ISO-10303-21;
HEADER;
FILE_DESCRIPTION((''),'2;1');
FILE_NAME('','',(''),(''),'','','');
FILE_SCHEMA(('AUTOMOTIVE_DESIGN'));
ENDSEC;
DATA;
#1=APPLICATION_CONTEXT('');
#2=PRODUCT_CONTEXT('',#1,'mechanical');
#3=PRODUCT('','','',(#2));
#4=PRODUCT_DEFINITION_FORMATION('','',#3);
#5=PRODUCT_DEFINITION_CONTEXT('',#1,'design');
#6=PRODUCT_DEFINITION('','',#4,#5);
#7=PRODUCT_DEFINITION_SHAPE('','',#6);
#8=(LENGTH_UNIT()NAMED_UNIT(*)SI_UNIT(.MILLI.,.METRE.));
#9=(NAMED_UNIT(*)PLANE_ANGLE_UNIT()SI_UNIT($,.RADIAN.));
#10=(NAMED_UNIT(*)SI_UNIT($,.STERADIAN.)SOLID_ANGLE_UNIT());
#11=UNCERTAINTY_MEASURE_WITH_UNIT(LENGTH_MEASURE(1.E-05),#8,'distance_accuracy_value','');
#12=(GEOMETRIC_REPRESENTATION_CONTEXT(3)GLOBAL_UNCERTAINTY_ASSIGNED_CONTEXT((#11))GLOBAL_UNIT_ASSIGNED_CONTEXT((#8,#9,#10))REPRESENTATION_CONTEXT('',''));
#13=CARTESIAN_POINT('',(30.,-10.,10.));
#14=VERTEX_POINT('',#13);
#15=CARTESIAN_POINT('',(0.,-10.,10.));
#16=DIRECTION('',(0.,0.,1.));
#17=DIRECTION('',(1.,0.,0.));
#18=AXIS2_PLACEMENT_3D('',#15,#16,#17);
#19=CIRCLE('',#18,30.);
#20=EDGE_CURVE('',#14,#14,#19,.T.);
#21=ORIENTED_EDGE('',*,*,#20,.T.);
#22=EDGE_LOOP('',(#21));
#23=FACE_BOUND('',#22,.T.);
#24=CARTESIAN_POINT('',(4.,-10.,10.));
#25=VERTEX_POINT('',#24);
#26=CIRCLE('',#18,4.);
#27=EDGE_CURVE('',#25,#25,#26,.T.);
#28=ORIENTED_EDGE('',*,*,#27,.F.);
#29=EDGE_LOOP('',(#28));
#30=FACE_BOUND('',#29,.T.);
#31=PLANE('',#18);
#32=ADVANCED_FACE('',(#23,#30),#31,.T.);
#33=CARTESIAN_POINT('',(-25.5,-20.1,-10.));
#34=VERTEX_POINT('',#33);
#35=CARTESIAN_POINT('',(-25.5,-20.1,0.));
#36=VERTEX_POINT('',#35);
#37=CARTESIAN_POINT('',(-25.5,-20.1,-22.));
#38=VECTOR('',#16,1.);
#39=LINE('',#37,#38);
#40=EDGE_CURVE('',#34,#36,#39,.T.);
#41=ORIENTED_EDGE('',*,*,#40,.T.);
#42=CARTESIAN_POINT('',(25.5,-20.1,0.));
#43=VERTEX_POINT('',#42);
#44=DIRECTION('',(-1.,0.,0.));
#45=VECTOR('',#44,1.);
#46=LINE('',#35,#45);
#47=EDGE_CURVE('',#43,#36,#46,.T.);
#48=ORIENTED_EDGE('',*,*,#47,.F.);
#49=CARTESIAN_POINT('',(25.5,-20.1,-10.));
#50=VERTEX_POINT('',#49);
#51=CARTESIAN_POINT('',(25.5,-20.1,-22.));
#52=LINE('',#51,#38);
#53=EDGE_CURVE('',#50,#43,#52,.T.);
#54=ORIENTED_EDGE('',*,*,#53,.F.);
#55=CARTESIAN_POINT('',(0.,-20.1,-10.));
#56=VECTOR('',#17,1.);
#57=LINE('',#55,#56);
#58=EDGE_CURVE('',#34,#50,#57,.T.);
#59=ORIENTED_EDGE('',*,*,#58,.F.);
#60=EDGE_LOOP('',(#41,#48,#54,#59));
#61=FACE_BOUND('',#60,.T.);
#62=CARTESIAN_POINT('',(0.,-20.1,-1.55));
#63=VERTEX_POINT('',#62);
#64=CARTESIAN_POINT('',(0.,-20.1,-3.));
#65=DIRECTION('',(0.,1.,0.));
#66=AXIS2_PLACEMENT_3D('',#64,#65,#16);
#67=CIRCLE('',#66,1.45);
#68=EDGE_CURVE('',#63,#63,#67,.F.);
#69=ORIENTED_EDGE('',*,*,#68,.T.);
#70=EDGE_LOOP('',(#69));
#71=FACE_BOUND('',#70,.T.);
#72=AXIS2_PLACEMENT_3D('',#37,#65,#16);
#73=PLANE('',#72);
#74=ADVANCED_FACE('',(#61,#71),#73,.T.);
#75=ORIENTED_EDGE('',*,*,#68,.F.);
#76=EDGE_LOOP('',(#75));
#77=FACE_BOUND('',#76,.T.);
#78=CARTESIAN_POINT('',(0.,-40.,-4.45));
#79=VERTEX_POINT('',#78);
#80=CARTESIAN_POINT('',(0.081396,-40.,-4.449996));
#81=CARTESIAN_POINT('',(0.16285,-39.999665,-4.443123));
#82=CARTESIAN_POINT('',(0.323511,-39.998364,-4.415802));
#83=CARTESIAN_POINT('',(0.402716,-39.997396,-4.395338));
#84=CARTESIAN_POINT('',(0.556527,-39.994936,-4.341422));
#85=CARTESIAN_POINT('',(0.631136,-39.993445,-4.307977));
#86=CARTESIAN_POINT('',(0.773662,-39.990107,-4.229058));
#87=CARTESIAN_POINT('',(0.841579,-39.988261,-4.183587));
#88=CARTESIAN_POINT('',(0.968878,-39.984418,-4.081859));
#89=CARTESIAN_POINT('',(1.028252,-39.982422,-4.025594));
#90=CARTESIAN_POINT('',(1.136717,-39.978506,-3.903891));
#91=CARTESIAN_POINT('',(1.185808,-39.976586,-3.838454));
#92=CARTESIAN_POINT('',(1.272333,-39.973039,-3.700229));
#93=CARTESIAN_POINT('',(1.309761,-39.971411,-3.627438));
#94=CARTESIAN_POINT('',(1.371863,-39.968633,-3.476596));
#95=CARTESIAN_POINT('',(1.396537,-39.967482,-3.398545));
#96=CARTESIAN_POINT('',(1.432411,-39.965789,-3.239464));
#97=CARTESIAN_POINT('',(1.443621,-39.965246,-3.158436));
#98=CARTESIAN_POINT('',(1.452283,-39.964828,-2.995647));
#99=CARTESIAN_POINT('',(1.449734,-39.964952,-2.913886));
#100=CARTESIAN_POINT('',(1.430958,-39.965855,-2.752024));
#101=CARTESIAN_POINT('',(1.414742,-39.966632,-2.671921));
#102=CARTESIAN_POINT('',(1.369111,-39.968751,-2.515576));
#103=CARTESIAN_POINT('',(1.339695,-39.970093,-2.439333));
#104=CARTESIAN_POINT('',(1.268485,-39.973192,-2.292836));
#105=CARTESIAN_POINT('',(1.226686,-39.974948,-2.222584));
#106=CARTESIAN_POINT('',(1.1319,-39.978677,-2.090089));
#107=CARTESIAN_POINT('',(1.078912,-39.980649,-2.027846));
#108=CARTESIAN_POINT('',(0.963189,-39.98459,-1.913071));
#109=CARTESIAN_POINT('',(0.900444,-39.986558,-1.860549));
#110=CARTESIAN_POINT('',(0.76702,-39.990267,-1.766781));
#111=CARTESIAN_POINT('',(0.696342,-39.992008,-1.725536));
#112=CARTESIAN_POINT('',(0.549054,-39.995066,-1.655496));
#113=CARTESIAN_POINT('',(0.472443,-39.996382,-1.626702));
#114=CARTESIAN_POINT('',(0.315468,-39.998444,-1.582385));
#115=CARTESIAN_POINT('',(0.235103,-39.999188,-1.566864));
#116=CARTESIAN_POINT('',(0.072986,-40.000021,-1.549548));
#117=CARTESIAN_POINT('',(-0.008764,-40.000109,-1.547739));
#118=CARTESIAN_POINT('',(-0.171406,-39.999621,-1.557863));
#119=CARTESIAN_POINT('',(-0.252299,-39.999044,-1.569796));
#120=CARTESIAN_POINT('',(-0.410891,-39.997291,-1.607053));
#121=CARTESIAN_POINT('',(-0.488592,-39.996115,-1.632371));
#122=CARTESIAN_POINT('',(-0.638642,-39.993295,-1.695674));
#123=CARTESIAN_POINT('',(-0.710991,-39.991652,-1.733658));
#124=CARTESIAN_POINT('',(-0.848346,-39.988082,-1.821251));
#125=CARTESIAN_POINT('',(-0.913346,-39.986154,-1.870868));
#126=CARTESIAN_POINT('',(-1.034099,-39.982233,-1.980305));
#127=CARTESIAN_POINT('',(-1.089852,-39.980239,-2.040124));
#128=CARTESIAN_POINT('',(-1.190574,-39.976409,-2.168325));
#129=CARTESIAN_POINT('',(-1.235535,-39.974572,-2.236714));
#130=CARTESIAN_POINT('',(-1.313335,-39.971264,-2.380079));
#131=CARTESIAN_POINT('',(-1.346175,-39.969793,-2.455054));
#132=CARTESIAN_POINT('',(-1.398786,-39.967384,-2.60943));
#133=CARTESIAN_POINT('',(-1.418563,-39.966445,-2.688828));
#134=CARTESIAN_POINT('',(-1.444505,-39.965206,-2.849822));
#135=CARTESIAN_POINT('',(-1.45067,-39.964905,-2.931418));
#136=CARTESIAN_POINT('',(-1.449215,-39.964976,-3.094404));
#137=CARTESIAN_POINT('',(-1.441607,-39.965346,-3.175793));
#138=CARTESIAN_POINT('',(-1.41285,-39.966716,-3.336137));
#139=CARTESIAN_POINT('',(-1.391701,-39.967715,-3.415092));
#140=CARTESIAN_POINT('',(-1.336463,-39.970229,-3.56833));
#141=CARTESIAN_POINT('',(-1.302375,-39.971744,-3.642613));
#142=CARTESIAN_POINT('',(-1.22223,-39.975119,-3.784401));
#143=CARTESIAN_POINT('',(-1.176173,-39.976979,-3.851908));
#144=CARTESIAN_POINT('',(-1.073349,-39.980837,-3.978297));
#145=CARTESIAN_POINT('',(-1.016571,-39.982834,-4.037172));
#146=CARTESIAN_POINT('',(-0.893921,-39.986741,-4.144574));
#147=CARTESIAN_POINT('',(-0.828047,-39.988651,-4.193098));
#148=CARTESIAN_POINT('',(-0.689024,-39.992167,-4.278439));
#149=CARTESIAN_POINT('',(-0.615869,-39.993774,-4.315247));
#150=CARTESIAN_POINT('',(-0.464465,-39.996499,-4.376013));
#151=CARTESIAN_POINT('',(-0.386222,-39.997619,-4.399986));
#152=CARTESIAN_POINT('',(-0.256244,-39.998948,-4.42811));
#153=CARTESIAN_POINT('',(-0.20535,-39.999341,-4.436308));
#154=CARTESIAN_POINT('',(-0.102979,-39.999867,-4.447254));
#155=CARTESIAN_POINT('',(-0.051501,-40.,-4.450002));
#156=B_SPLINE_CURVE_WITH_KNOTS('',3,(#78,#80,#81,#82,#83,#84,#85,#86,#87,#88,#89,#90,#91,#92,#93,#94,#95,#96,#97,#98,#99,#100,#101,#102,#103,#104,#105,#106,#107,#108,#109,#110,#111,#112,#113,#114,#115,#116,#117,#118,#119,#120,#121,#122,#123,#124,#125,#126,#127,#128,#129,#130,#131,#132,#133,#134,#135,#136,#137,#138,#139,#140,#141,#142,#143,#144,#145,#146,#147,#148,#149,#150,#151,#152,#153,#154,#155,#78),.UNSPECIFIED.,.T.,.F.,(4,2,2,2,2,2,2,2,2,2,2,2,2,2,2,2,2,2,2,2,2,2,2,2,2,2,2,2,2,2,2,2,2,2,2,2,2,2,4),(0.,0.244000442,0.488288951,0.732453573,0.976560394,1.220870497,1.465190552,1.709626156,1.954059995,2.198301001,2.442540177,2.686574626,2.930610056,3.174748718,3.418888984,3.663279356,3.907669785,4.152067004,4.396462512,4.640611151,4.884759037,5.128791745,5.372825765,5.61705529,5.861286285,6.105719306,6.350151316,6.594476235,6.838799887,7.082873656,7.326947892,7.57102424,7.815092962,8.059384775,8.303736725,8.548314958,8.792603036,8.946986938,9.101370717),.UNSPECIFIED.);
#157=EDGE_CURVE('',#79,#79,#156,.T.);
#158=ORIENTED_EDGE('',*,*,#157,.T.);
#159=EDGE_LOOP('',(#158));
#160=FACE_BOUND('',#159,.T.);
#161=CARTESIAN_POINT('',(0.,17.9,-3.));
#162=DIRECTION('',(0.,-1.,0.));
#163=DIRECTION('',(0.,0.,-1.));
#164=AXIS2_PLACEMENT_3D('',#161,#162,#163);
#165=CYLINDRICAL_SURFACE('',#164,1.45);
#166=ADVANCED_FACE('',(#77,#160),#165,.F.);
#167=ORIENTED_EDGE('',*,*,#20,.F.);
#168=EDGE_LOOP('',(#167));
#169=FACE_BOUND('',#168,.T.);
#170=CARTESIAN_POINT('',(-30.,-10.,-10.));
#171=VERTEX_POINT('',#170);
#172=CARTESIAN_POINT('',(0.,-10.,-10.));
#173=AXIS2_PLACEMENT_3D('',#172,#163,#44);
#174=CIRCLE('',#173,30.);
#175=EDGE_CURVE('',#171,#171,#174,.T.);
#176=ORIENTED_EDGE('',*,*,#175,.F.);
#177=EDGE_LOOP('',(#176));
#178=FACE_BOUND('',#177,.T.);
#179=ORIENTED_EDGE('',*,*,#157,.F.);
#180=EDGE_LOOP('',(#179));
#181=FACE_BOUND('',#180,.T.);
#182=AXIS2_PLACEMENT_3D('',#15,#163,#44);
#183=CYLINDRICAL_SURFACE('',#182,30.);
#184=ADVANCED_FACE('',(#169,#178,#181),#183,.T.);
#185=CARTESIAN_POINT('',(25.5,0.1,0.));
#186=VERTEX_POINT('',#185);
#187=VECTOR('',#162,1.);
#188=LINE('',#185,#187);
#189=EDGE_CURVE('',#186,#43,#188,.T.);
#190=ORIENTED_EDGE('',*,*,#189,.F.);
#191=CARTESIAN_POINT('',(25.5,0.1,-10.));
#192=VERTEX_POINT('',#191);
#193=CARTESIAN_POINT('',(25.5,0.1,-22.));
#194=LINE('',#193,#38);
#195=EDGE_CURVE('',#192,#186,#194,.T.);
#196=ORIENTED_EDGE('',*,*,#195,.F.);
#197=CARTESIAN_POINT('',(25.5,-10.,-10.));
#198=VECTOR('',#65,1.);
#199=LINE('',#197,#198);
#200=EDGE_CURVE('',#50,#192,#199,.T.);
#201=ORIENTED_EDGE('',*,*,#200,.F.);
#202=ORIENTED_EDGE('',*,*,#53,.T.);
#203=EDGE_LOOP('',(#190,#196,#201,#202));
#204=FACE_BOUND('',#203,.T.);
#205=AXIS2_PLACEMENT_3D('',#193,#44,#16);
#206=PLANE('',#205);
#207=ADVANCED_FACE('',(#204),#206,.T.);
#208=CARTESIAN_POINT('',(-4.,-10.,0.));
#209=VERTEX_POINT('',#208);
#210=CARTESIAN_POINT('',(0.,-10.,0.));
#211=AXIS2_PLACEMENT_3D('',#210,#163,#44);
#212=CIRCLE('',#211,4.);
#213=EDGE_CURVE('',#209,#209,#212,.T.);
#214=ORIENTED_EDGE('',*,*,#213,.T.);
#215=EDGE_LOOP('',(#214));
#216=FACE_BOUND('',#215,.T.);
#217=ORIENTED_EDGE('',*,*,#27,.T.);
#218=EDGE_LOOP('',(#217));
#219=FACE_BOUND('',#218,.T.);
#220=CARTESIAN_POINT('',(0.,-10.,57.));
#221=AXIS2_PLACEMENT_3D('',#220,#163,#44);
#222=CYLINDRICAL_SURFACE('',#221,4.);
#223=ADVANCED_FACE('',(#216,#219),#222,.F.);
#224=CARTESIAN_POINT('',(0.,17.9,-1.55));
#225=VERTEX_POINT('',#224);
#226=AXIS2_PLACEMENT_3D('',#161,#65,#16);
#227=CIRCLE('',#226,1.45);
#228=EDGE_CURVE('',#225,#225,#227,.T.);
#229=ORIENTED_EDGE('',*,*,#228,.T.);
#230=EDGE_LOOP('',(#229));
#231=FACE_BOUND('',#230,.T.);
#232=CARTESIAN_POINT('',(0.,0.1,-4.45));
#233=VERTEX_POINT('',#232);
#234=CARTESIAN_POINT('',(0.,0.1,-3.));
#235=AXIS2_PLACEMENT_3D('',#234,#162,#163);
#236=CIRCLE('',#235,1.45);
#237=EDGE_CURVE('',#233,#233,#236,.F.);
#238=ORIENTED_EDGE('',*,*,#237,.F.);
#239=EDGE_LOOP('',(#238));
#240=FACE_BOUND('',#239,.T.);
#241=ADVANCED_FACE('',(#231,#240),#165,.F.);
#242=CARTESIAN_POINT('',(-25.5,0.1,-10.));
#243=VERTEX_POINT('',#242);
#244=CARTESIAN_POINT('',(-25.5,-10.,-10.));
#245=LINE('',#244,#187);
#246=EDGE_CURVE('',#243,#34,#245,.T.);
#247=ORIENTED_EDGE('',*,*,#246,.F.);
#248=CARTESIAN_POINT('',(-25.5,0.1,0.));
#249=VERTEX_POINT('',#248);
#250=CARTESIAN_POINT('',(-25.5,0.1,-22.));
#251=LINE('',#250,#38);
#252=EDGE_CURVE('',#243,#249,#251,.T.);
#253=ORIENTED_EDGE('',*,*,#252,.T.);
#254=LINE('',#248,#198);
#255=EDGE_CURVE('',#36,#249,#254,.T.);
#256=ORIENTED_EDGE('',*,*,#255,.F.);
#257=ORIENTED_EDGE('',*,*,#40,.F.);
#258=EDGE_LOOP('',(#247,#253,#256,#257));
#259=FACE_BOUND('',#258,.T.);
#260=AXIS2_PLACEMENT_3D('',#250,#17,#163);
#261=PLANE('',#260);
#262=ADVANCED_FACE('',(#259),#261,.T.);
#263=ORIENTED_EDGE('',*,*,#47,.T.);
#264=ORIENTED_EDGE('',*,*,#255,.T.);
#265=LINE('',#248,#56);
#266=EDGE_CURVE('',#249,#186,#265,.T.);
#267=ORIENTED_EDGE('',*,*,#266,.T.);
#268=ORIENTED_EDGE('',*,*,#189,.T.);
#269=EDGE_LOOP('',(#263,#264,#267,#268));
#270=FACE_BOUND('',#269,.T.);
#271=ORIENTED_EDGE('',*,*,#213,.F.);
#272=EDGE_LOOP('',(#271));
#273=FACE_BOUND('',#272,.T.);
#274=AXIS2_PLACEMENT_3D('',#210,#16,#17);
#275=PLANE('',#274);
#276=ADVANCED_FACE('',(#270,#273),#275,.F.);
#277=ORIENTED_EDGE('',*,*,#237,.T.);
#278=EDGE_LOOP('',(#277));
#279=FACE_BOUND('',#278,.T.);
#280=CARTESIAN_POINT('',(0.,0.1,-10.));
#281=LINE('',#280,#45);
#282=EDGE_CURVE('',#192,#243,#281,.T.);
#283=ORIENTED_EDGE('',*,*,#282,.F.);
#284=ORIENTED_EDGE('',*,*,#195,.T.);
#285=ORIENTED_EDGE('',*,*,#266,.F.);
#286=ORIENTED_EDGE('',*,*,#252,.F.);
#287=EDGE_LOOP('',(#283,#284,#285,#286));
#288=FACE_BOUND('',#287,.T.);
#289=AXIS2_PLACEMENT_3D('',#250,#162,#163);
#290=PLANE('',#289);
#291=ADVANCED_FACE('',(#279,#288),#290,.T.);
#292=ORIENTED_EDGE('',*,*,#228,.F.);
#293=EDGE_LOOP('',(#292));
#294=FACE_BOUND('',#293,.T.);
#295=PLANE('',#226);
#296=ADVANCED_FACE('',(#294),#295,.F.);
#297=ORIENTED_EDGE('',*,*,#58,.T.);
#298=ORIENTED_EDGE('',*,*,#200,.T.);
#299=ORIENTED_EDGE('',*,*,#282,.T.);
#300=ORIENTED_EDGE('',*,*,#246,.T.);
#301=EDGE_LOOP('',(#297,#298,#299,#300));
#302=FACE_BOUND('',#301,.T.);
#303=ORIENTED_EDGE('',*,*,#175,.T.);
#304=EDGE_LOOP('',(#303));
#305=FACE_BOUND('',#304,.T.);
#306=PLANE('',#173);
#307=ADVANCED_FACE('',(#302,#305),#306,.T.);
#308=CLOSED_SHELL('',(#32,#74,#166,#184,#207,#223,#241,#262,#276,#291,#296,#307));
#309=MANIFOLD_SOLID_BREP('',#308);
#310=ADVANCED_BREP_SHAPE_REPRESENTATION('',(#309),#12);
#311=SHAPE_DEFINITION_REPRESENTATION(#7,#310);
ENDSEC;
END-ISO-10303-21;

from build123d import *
from build123d.topology import SkipClean

# Parameters (mm, degrees)
SKETCH_1_R               = 30
EXTRUDE_1_DEPTH          = 10
EXTRUDE_START            = 10
EXTRUDE_2_DEPTH          = 10
EXTRUDE_3_DEPTH          = 10
SKETCH_4_W               = 51
SKETCH_4_H               = 20.2
CUT_EXTRUDE_1_DEPTH      = 22
CUT_EXTRUDE_2_DEPTH      = 38
CUT_EXTRUDE_2_DEPTH_BACK = 29
SKETCH_5_R               = 1.45
SKETCH_8_R               = 4
CUT_EXTRUDE_5_DEPTH      = 57


with BuildPart() as part:
    # 草图1 → 凸台-拉伸1 (new body)
    with BuildSketch(Plane.XY):
        with Locations((0, -10)):
            Circle(SKETCH_1_R)
    extrude(amount=EXTRUDE_1_DEPTH)

    # 草图2 → 凸台-拉伸2 (add)
    with BuildSketch(Plane(origin=(0, 0, 0), x_dir=(-1, 0, 0), z_dir=(0, 0, -1)).offset(EXTRUDE_START)):
        with BuildLine():
            Line((28.284271247, 0), (-28.284271247, 0))
            ThreePointArc((-28.284271247, 0), (0, 20), (28.284271247, 0))
        make_face()
        with BuildLine():
            Line((28.284271247, -20), (-28.284271247, -20))
            ThreePointArc((-28.284271247, -20), (0, -40), (28.284271247, -20))
        make_face()
    extrude(amount=-EXTRUDE_2_DEPTH)

    # 草图3 → 凸台-拉伸3 (add)
    with SkipClean():  # the faces are left unmerged after this step: merging them gives an invalid solid
        with BuildSketch(Plane(origin=(0, 0, -10), x_dir=(-1, 0, 0), z_dir=(0, 0, -1))):
            with BuildLine():
                Line((-28.284271247, -20), (-25, -20))
                Line((-25, -20), (-25, 0))
                Line((-25, 0), (-28.284271247, 0))
                ThreePointArc((-28.284271247, 0), (-30, -10), (-28.284271247, -20))
            make_face()
            with BuildLine():
                Line((28.284271247, 0), (25, 0))
                Line((25, 0), (25, -20))
                Line((25, -20), (28.284271247, -20))
                ThreePointArc((28.284271247, -20), (29.56795679, -15.073059362), (30, -10))
                ThreePointArc((30, -10), (29.56795679, -4.926940638), (28.284271247, 0))
            make_face()
        extrude(amount=-EXTRUDE_3_DEPTH)

    # 草图4 → 切除-拉伸1 (cut)
    with SkipClean():  # the faces are left unmerged after this step: merging them gives an invalid solid
        with BuildSketch(Plane(origin=(0, 0, 0), x_dir=(-1, 0, 0), z_dir=(0, 0, -1))):
            with Locations((0, -10)):
                Rectangle(SKETCH_4_W, SKETCH_4_H)
        extrude(amount=CUT_EXTRUDE_1_DEPTH, mode=Mode.SUBTRACT)

    # 草图5 → 切除-拉伸2 (cut, two sides: drawn at the far end of the back side and taken through both)
    with SkipClean():  # the faces are left unmerged after this step: merging them gives an invalid solid
        with BuildSketch(Plane(origin=(0, -20.1, 0), x_dir=(1, 0, 0), z_dir=(0, 1, 0)).offset(-CUT_EXTRUDE_2_DEPTH_BACK)):
            with Locations(Location((0, 3, 0), (0, 0, 90))):
                Circle(SKETCH_5_R)
        extrude(amount=CUT_EXTRUDE_2_DEPTH + CUT_EXTRUDE_2_DEPTH_BACK, mode=Mode.SUBTRACT)

    # 草图8 → 切除-拉伸5 (cut)
    with SkipClean():  # the faces are left unmerged after this step: merging them gives an invalid solid
        with BuildSketch(Plane(origin=(0, 0, 0), x_dir=(-1, 0, 0), z_dir=(0, 0, -1))):
            with Locations((0, -10)):
                Circle(SKETCH_8_R)
        extrude(amount=-CUT_EXTRUDE_5_DEPTH, mode=Mode.SUBTRACT)


solid = part.part
